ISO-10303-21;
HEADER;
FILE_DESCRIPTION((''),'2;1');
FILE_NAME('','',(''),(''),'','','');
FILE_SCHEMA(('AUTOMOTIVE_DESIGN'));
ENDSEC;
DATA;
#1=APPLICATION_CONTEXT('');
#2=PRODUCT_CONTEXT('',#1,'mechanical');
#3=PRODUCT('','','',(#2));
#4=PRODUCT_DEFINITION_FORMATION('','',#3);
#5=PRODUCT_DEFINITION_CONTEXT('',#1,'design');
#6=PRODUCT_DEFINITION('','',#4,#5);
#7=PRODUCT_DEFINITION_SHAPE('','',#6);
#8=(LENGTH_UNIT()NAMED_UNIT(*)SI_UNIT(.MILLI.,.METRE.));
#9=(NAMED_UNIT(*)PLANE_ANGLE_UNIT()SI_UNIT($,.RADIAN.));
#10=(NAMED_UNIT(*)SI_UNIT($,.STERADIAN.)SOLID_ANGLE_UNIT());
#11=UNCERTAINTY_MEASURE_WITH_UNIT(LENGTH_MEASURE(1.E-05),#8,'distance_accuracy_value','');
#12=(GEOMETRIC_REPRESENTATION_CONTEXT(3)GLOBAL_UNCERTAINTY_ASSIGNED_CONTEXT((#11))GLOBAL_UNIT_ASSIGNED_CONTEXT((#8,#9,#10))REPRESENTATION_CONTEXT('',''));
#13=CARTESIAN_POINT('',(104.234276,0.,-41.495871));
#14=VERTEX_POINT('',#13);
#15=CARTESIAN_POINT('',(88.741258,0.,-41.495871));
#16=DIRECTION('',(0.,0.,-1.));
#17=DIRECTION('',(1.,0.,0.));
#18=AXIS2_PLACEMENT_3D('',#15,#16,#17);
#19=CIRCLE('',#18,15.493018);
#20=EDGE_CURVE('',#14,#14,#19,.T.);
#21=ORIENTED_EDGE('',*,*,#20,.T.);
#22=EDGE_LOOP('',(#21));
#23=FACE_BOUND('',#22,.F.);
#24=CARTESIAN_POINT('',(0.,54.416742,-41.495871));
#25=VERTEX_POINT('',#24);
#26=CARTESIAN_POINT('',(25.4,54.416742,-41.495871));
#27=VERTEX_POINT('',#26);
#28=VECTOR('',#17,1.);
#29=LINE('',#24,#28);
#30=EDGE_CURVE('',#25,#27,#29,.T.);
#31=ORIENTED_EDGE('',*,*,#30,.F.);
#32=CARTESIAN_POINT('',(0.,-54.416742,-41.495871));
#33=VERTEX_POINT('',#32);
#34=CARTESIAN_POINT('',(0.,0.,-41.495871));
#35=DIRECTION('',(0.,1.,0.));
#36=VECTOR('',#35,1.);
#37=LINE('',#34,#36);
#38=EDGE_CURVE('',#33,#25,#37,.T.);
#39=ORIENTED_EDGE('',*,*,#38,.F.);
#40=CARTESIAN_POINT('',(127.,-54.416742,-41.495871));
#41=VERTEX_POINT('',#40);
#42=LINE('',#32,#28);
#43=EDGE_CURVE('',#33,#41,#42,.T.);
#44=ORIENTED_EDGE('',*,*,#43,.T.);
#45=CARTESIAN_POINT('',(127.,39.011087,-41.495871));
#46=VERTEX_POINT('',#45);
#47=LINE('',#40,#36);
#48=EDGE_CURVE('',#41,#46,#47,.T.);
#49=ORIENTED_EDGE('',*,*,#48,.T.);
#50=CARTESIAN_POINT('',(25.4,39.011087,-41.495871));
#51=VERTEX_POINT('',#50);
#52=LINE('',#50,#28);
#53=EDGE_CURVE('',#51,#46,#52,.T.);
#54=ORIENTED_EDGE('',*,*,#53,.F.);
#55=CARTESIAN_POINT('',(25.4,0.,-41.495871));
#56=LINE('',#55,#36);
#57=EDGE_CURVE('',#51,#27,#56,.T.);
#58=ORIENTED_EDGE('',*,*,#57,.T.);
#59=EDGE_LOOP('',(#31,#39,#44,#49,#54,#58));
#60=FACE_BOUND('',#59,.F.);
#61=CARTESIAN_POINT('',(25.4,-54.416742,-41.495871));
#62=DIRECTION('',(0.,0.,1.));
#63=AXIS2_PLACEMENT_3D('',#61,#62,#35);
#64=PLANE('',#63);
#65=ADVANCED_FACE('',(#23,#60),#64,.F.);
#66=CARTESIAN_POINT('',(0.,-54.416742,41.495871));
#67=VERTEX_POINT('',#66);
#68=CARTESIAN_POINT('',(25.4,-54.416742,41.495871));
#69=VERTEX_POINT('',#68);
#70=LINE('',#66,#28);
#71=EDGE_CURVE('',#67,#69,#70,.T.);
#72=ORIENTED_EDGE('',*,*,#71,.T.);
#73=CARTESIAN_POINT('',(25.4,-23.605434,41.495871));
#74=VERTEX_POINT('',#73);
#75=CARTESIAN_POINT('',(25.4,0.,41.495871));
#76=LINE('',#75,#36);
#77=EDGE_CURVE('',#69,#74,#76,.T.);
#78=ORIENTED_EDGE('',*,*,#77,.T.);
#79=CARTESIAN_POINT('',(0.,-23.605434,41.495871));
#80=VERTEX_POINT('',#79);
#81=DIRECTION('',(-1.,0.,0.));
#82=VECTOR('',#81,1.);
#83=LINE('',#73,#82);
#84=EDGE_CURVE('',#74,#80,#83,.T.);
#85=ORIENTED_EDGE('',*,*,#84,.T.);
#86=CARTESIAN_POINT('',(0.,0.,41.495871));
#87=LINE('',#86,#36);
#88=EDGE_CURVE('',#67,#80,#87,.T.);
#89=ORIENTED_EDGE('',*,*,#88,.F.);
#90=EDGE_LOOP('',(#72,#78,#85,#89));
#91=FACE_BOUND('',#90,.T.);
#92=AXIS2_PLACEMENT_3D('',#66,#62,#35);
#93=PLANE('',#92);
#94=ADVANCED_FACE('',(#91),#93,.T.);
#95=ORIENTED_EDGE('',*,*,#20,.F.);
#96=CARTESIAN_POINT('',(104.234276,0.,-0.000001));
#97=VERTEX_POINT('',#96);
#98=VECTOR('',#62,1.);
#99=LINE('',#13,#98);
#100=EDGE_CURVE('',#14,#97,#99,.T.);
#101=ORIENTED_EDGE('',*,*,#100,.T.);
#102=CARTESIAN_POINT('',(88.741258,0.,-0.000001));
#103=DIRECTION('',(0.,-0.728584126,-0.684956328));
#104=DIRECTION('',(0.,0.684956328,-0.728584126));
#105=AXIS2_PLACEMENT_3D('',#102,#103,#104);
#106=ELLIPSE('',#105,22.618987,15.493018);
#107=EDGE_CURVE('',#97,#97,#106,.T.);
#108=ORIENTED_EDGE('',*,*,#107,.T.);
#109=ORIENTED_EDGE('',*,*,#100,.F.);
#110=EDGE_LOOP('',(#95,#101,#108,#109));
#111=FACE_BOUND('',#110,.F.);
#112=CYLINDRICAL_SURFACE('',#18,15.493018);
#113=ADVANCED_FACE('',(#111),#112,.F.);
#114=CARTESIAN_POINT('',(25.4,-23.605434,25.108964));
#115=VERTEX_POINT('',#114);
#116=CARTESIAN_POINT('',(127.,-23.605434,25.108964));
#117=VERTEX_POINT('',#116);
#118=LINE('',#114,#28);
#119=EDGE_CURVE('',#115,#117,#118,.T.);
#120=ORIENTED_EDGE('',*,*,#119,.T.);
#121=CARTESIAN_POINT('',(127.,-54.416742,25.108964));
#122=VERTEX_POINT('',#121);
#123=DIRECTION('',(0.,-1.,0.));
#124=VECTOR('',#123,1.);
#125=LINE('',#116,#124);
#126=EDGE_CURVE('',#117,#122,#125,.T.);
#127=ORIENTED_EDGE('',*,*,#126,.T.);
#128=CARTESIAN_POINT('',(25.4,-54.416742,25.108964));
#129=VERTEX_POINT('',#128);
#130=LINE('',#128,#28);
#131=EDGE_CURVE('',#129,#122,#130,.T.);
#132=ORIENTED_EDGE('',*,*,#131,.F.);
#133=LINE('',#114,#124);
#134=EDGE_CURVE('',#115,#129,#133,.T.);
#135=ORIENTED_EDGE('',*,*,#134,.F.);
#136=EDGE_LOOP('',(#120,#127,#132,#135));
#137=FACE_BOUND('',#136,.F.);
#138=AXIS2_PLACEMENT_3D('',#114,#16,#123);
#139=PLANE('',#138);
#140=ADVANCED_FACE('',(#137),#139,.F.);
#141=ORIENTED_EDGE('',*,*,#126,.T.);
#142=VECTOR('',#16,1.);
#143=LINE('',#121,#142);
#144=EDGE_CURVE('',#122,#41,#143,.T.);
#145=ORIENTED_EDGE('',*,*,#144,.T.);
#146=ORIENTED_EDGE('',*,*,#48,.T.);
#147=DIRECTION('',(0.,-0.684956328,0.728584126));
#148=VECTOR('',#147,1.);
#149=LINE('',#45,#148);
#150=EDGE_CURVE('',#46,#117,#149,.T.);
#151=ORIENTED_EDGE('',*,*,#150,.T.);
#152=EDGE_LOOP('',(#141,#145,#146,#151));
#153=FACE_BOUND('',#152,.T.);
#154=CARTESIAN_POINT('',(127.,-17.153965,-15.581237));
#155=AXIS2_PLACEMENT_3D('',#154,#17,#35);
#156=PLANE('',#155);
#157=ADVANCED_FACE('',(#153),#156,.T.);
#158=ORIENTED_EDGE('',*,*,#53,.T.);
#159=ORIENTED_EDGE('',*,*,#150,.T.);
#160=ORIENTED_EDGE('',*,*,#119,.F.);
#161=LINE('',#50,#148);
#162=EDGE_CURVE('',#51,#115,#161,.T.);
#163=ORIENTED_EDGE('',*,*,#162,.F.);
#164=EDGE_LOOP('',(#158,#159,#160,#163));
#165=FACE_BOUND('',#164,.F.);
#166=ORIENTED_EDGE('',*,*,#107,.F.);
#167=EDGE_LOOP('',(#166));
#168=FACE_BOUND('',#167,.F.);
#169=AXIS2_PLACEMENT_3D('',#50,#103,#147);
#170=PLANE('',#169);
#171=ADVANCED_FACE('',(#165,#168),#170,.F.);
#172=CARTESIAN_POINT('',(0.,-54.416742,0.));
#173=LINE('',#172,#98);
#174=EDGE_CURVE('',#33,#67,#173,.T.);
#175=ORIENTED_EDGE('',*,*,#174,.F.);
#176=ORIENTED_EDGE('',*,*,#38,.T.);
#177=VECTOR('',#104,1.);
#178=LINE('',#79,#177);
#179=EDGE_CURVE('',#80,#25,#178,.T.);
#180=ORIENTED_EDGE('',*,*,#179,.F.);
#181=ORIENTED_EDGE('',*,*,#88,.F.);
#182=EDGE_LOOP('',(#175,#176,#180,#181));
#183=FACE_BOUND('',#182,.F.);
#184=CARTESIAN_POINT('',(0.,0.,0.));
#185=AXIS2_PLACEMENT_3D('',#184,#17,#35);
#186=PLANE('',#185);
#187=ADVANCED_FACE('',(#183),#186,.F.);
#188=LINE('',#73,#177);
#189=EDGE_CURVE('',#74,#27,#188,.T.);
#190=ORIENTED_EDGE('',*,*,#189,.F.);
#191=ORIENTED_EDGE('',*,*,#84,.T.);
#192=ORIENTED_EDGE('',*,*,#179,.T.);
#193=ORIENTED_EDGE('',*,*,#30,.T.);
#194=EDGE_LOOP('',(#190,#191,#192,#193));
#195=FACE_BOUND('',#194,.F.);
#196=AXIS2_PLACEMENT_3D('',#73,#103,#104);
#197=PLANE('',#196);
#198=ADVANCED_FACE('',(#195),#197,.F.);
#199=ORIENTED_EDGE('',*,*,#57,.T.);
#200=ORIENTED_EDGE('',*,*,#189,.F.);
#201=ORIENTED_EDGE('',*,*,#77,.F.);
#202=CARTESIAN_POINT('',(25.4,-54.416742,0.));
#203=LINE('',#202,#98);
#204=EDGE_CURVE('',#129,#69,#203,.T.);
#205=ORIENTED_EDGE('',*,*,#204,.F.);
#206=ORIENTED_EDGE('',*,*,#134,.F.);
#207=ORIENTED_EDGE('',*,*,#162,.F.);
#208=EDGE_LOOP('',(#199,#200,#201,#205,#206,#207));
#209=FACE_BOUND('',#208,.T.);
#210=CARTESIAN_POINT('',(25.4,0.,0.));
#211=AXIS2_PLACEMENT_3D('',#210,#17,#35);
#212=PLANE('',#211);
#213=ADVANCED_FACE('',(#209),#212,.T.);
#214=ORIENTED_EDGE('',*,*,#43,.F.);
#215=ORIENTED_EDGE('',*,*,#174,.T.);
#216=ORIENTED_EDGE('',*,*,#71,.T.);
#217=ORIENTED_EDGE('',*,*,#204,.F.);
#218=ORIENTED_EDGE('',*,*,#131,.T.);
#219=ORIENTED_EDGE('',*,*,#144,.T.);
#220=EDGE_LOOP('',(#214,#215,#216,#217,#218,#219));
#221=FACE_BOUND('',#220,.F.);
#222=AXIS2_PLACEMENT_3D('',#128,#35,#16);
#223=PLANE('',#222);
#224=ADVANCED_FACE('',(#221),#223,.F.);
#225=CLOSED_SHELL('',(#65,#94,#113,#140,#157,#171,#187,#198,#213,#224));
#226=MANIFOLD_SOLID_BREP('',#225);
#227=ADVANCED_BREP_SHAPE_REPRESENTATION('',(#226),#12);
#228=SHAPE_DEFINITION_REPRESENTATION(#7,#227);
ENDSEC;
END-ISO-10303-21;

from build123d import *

# Parameters (mm, degrees)
F0_W     = 108.833484
F0_H     = 82.991742
F1_DEPTH = 25.4
F3_DEPTH = 25.4
F5_DEPTH = 101.6
F6_R     = 15.493018
F7_DEPTH = 82.992742


with BuildPart() as f1:
    # F0 (on Right) → F1 (new body)
    with BuildSketch(Plane.YZ):
        Rectangle(F0_W, F0_H)
    extrude(amount=F1_DEPTH)

    # F2 (on face) → F3 (cut)
    with BuildSketch(Plane.YZ.offset(25.4)):
        Polygon((54.416742, 41.495871), (-23.605434, 41.495871), (54.416742, -41.495871), align=None)
    extrude(amount=-F3_DEPTH, mode=Mode.SUBTRACT)

    # F4 (on face) → F5 (join)
    with BuildSketch(Plane.YZ.offset(25.4)):
        Polygon((-54.416742, 25.108964), (-54.416742, -41.495871), (39.011087, -41.495871), (-23.605434, 25.108964), align=None)
    extrude(amount=F5_DEPTH)

    # F6 (on face) → F7 (cut, through all)
    with BuildSketch(Plane(origin=(0, 0, -41.495871), x_dir=(1, 0, 0), z_dir=(0, 0, -1))):
        with Locations((88.741258, 0)):
            Circle(F6_R)
    extrude(amount=-F7_DEPTH, mode=Mode.SUBTRACT)


solid = f1.part
